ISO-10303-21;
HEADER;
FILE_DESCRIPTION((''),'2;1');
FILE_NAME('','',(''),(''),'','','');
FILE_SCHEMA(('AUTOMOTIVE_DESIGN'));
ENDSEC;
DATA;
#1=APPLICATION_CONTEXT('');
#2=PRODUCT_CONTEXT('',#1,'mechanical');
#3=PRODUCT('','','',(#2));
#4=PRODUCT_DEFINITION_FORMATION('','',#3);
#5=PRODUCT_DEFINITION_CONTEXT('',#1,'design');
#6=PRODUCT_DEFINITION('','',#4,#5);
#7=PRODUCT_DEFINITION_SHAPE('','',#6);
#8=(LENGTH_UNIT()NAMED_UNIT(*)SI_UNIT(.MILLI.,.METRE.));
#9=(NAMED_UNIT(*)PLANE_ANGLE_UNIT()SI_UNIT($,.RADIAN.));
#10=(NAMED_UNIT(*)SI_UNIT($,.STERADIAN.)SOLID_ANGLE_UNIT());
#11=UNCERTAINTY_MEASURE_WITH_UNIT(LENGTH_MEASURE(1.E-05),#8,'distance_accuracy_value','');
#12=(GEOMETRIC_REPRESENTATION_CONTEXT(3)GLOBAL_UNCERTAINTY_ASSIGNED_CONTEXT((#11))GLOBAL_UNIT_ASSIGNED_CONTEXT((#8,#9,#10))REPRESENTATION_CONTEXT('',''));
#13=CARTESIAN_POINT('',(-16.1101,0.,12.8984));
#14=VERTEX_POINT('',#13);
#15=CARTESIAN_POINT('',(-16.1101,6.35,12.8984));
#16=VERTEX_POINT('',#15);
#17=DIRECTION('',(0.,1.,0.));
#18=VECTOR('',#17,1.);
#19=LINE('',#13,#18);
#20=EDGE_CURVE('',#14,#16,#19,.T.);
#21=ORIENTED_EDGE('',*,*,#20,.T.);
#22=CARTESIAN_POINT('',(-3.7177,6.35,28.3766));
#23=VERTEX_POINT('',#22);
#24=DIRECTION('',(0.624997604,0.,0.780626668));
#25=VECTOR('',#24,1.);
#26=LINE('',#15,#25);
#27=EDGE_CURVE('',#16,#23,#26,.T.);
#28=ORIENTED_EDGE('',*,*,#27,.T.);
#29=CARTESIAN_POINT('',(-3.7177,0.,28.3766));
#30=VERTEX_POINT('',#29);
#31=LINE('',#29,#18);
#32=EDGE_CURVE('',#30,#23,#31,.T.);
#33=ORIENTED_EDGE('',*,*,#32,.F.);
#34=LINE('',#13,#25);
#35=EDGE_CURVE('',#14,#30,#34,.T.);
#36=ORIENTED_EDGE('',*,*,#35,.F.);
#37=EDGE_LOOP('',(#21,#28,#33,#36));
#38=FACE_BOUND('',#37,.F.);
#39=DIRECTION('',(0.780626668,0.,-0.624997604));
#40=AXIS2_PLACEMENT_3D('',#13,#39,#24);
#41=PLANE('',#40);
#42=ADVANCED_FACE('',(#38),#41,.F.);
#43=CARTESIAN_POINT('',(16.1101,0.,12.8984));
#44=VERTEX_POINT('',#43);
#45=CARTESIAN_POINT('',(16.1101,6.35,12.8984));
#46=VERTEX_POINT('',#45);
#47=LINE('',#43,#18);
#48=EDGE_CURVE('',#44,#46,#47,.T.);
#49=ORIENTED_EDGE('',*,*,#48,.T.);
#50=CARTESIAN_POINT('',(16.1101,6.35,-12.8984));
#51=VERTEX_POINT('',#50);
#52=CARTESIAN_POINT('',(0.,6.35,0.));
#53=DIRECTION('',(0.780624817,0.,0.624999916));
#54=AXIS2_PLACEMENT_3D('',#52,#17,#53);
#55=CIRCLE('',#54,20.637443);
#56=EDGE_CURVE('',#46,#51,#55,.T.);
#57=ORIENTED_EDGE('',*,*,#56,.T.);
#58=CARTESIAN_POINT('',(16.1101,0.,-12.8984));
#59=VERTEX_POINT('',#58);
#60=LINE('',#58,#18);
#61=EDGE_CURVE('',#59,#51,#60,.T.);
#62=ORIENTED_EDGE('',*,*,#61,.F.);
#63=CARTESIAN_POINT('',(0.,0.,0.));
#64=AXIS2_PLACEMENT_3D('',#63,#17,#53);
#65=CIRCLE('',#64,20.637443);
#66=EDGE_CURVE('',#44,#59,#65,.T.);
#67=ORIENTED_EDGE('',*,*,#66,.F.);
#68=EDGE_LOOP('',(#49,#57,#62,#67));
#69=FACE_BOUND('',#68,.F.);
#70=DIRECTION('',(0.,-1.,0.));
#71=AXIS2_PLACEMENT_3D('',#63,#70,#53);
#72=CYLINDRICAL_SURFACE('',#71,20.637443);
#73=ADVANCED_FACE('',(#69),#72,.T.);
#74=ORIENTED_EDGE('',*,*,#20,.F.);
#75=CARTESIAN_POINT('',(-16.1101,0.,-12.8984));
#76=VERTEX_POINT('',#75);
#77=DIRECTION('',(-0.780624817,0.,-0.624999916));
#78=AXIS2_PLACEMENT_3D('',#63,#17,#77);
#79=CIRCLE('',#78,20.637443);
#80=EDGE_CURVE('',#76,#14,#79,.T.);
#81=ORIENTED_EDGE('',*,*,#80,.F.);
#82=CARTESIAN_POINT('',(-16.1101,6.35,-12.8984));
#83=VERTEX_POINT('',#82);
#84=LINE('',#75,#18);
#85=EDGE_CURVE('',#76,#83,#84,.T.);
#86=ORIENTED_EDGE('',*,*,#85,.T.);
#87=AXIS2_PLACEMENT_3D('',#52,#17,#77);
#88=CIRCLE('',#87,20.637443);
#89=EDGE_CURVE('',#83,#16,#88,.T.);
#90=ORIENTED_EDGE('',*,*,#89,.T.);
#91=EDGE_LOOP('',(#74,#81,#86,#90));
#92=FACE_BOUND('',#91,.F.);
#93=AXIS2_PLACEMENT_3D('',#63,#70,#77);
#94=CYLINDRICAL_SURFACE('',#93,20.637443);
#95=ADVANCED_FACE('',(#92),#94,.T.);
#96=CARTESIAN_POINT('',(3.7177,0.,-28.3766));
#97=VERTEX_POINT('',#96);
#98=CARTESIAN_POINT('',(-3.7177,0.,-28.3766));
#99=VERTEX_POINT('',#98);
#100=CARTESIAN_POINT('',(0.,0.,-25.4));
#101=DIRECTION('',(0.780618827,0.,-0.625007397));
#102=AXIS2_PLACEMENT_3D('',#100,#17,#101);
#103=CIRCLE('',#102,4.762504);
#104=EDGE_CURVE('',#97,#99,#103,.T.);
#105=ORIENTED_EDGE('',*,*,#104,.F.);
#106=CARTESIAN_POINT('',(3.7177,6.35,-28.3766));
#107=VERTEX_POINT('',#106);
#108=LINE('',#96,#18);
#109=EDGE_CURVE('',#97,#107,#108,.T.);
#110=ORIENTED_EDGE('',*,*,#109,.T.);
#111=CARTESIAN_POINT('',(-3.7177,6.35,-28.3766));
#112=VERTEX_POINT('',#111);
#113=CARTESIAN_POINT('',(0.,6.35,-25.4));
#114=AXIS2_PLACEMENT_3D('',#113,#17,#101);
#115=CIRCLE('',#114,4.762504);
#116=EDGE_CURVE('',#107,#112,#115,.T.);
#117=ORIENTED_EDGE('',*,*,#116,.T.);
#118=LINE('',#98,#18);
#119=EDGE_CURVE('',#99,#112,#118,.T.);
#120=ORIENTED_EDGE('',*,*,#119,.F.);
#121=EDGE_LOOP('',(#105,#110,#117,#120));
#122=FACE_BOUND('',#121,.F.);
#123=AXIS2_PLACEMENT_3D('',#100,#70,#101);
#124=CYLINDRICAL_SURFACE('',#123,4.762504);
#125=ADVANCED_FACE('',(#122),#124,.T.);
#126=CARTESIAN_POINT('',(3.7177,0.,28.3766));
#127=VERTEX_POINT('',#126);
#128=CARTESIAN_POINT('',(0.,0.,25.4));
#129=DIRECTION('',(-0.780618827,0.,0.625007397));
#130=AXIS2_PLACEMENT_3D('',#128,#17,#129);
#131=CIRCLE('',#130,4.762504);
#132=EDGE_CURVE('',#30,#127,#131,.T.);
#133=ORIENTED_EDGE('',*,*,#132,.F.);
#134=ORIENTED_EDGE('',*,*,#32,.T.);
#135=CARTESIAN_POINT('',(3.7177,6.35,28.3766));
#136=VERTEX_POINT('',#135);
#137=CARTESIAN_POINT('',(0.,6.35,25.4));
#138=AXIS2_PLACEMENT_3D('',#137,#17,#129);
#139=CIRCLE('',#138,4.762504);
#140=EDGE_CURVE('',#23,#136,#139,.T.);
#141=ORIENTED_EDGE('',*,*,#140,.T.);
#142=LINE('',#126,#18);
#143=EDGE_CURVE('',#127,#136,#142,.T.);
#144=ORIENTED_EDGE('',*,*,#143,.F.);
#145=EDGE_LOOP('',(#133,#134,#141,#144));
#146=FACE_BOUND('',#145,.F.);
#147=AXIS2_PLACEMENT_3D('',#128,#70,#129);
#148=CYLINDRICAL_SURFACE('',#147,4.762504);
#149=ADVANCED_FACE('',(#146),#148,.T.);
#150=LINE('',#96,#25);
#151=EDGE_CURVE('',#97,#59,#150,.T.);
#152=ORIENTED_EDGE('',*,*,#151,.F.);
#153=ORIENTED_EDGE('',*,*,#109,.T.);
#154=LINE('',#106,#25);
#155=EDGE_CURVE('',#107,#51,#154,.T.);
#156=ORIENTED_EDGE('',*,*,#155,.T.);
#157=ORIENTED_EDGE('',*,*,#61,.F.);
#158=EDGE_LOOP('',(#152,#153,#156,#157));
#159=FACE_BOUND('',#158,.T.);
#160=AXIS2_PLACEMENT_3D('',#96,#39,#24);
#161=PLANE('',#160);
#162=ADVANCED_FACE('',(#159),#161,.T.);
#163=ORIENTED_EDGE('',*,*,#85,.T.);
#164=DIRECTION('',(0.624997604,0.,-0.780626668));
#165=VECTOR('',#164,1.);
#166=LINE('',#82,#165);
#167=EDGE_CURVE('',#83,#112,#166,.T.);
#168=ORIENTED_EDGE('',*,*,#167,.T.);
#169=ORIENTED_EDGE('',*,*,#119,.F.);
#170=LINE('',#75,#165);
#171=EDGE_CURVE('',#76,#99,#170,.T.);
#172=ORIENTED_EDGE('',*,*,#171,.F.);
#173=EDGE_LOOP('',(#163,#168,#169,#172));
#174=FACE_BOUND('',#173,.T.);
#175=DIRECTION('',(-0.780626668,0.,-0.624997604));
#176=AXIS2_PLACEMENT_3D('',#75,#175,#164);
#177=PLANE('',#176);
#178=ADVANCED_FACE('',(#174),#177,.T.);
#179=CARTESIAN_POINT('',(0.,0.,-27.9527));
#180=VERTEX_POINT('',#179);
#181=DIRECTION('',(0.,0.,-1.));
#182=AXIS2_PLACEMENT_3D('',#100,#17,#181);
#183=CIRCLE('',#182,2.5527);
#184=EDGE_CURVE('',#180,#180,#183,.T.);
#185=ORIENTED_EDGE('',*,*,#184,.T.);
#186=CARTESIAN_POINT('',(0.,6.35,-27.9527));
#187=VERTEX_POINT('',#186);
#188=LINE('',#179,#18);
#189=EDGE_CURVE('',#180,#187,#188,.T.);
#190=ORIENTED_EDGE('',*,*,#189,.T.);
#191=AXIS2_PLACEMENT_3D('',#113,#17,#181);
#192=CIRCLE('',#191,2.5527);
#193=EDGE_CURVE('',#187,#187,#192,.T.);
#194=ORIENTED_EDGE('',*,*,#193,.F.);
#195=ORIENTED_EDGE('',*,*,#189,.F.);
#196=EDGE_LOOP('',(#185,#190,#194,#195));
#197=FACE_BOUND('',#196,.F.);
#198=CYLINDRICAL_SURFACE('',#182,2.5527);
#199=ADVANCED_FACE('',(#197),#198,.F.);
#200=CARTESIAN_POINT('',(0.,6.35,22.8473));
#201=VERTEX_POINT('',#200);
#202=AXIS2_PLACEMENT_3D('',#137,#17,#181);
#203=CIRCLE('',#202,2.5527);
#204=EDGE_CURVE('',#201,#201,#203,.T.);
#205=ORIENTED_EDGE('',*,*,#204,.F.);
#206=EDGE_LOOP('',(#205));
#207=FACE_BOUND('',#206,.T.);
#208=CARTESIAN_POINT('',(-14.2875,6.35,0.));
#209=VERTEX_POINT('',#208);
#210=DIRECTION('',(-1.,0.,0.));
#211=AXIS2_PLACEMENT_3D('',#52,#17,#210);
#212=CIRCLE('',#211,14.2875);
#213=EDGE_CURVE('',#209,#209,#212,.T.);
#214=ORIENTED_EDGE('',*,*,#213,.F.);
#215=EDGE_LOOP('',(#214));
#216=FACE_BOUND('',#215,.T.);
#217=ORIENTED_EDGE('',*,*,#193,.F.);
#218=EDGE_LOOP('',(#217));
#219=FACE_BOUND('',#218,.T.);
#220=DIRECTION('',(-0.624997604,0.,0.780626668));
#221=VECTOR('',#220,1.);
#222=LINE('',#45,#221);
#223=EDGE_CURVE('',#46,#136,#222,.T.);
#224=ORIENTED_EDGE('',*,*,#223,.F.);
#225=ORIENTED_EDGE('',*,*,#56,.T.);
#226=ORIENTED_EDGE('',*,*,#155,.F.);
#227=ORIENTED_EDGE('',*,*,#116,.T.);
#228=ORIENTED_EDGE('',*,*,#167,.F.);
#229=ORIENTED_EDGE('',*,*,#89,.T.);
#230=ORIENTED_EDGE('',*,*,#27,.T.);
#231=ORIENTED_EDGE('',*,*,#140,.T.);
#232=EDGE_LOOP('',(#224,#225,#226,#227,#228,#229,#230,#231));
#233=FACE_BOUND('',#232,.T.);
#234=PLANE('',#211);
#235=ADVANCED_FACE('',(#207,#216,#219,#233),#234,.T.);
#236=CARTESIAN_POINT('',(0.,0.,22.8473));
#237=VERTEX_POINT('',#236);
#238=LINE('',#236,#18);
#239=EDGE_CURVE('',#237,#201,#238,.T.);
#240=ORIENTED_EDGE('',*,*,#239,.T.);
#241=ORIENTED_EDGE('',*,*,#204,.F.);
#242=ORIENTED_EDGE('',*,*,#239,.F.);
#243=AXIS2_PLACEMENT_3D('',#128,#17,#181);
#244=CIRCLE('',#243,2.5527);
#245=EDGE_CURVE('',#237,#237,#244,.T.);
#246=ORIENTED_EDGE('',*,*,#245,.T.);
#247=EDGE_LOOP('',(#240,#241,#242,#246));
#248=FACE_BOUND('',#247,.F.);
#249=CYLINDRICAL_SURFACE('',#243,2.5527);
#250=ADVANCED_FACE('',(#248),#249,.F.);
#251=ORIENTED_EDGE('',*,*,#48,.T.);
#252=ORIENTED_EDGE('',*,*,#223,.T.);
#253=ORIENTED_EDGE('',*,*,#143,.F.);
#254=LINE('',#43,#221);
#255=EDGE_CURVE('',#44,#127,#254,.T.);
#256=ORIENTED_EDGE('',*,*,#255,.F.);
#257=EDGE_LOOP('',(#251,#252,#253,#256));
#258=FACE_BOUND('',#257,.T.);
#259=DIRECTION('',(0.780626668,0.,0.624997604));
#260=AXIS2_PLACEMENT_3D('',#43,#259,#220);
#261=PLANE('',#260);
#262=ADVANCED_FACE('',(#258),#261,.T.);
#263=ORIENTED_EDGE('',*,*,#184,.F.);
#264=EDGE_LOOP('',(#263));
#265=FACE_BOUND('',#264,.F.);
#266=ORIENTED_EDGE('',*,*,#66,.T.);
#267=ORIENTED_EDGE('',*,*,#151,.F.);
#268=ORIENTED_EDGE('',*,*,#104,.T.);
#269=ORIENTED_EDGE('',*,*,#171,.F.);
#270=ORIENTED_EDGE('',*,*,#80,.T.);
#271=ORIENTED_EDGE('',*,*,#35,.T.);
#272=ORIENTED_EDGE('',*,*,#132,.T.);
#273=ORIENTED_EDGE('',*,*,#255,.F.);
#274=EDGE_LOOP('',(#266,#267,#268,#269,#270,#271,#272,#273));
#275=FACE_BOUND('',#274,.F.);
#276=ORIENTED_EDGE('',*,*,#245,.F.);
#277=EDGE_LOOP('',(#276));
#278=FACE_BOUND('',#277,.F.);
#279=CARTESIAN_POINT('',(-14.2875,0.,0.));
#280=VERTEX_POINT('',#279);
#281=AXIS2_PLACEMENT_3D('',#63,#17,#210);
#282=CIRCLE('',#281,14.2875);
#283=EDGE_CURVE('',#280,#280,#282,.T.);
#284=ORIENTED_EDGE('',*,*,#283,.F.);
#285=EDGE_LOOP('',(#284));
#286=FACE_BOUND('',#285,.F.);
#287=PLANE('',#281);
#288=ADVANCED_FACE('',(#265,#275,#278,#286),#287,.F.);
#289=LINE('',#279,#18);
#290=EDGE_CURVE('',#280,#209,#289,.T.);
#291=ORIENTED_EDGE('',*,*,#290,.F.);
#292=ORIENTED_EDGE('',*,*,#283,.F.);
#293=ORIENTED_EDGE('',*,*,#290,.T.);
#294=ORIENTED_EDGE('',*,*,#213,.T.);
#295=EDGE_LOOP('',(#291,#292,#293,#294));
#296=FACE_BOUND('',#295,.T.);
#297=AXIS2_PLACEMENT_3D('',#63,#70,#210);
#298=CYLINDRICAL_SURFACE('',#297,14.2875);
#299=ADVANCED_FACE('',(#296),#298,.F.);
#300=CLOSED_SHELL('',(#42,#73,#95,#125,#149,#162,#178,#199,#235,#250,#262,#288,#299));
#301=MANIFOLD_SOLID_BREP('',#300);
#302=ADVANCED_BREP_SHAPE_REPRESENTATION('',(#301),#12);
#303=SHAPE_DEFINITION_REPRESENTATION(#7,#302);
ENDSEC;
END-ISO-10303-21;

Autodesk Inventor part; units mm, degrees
ref_plane "YZ Plane" through (0, 0, 0) normal (1, 0, 0) x (0, 1, 0)
ref_plane "XZ Plane" through (0, 0, 0) normal (0, 1, 0) x (-1, 0, 0)
ref_plane "XY Plane" through (0, 0, 0) normal (0, 0, 1) x (1, 0, 0)
sketch "Sketch1" plane through (0, 0, 0) normal (0, 1, 0) x (-1, 0, 0)
  circle A0 centre (0, 0) radius 14.2875
  line L0 (0, 25.4) -> (0, -25.4) construction
  circle A1 centre (0, 0) radius 18.1864 construction
  circle A2 centre (0, 25.4) radius 4.7625 construction
  circle A3 centre (0, -25.4) radius 4.7625 construction
  circle A4 centre (0, 0) radius 20.6375 construction
  line L1 (16.1101, 12.8984) -> (3.7177, 28.3766)
  line L2 (16.1101, -12.8984) -> (3.7177, -28.3766)
  line L3 (-3.7177, -28.3766) -> (-16.1101, -12.8984)
  line L4 (-16.1101, 12.8984) -> (-3.7177, 28.3766)
  arc A5 (3.7177, 28.3766) -> (-3.7177, 28.3766) centre (0, 25.4) ccw
  arc A6 (-16.1101, 12.8984) -> (-16.1101, -12.8984) centre (0, 0) ccw
  arc A7 (16.1101, -12.8984) -> (16.1101, 12.8984) centre (0, 0) ccw
  arc A8 (-3.7177, -28.3766) -> (3.7177, -28.3766) centre (0, -25.4) ccw
  point P0 (-3.7177, 28.3766)
  point P1 (3.7177, -28.3766)
  dimension "d0" = 28.575
  dimension "d1" = 50.8
  dimension "d2" = 36.3728
  dimension "d3" = 9.525
  dimension "d4" = 9.525
  dimension "d5" = 6.35
extrude "Extrusion1" add sketch "Sketch1" along normal blind 6.35
hole "Hole1" at (0, 0, 25.4) at (0, 0, -25.4) direction (0, 1, 0) diameter 5.1054 end through all clearance for "Flat Head Machine Screw (82)" size "#10" standard "Ansi Unified Screw Threads"
properties part number "EL2-CGB-005" material "Aluminum 6061"
